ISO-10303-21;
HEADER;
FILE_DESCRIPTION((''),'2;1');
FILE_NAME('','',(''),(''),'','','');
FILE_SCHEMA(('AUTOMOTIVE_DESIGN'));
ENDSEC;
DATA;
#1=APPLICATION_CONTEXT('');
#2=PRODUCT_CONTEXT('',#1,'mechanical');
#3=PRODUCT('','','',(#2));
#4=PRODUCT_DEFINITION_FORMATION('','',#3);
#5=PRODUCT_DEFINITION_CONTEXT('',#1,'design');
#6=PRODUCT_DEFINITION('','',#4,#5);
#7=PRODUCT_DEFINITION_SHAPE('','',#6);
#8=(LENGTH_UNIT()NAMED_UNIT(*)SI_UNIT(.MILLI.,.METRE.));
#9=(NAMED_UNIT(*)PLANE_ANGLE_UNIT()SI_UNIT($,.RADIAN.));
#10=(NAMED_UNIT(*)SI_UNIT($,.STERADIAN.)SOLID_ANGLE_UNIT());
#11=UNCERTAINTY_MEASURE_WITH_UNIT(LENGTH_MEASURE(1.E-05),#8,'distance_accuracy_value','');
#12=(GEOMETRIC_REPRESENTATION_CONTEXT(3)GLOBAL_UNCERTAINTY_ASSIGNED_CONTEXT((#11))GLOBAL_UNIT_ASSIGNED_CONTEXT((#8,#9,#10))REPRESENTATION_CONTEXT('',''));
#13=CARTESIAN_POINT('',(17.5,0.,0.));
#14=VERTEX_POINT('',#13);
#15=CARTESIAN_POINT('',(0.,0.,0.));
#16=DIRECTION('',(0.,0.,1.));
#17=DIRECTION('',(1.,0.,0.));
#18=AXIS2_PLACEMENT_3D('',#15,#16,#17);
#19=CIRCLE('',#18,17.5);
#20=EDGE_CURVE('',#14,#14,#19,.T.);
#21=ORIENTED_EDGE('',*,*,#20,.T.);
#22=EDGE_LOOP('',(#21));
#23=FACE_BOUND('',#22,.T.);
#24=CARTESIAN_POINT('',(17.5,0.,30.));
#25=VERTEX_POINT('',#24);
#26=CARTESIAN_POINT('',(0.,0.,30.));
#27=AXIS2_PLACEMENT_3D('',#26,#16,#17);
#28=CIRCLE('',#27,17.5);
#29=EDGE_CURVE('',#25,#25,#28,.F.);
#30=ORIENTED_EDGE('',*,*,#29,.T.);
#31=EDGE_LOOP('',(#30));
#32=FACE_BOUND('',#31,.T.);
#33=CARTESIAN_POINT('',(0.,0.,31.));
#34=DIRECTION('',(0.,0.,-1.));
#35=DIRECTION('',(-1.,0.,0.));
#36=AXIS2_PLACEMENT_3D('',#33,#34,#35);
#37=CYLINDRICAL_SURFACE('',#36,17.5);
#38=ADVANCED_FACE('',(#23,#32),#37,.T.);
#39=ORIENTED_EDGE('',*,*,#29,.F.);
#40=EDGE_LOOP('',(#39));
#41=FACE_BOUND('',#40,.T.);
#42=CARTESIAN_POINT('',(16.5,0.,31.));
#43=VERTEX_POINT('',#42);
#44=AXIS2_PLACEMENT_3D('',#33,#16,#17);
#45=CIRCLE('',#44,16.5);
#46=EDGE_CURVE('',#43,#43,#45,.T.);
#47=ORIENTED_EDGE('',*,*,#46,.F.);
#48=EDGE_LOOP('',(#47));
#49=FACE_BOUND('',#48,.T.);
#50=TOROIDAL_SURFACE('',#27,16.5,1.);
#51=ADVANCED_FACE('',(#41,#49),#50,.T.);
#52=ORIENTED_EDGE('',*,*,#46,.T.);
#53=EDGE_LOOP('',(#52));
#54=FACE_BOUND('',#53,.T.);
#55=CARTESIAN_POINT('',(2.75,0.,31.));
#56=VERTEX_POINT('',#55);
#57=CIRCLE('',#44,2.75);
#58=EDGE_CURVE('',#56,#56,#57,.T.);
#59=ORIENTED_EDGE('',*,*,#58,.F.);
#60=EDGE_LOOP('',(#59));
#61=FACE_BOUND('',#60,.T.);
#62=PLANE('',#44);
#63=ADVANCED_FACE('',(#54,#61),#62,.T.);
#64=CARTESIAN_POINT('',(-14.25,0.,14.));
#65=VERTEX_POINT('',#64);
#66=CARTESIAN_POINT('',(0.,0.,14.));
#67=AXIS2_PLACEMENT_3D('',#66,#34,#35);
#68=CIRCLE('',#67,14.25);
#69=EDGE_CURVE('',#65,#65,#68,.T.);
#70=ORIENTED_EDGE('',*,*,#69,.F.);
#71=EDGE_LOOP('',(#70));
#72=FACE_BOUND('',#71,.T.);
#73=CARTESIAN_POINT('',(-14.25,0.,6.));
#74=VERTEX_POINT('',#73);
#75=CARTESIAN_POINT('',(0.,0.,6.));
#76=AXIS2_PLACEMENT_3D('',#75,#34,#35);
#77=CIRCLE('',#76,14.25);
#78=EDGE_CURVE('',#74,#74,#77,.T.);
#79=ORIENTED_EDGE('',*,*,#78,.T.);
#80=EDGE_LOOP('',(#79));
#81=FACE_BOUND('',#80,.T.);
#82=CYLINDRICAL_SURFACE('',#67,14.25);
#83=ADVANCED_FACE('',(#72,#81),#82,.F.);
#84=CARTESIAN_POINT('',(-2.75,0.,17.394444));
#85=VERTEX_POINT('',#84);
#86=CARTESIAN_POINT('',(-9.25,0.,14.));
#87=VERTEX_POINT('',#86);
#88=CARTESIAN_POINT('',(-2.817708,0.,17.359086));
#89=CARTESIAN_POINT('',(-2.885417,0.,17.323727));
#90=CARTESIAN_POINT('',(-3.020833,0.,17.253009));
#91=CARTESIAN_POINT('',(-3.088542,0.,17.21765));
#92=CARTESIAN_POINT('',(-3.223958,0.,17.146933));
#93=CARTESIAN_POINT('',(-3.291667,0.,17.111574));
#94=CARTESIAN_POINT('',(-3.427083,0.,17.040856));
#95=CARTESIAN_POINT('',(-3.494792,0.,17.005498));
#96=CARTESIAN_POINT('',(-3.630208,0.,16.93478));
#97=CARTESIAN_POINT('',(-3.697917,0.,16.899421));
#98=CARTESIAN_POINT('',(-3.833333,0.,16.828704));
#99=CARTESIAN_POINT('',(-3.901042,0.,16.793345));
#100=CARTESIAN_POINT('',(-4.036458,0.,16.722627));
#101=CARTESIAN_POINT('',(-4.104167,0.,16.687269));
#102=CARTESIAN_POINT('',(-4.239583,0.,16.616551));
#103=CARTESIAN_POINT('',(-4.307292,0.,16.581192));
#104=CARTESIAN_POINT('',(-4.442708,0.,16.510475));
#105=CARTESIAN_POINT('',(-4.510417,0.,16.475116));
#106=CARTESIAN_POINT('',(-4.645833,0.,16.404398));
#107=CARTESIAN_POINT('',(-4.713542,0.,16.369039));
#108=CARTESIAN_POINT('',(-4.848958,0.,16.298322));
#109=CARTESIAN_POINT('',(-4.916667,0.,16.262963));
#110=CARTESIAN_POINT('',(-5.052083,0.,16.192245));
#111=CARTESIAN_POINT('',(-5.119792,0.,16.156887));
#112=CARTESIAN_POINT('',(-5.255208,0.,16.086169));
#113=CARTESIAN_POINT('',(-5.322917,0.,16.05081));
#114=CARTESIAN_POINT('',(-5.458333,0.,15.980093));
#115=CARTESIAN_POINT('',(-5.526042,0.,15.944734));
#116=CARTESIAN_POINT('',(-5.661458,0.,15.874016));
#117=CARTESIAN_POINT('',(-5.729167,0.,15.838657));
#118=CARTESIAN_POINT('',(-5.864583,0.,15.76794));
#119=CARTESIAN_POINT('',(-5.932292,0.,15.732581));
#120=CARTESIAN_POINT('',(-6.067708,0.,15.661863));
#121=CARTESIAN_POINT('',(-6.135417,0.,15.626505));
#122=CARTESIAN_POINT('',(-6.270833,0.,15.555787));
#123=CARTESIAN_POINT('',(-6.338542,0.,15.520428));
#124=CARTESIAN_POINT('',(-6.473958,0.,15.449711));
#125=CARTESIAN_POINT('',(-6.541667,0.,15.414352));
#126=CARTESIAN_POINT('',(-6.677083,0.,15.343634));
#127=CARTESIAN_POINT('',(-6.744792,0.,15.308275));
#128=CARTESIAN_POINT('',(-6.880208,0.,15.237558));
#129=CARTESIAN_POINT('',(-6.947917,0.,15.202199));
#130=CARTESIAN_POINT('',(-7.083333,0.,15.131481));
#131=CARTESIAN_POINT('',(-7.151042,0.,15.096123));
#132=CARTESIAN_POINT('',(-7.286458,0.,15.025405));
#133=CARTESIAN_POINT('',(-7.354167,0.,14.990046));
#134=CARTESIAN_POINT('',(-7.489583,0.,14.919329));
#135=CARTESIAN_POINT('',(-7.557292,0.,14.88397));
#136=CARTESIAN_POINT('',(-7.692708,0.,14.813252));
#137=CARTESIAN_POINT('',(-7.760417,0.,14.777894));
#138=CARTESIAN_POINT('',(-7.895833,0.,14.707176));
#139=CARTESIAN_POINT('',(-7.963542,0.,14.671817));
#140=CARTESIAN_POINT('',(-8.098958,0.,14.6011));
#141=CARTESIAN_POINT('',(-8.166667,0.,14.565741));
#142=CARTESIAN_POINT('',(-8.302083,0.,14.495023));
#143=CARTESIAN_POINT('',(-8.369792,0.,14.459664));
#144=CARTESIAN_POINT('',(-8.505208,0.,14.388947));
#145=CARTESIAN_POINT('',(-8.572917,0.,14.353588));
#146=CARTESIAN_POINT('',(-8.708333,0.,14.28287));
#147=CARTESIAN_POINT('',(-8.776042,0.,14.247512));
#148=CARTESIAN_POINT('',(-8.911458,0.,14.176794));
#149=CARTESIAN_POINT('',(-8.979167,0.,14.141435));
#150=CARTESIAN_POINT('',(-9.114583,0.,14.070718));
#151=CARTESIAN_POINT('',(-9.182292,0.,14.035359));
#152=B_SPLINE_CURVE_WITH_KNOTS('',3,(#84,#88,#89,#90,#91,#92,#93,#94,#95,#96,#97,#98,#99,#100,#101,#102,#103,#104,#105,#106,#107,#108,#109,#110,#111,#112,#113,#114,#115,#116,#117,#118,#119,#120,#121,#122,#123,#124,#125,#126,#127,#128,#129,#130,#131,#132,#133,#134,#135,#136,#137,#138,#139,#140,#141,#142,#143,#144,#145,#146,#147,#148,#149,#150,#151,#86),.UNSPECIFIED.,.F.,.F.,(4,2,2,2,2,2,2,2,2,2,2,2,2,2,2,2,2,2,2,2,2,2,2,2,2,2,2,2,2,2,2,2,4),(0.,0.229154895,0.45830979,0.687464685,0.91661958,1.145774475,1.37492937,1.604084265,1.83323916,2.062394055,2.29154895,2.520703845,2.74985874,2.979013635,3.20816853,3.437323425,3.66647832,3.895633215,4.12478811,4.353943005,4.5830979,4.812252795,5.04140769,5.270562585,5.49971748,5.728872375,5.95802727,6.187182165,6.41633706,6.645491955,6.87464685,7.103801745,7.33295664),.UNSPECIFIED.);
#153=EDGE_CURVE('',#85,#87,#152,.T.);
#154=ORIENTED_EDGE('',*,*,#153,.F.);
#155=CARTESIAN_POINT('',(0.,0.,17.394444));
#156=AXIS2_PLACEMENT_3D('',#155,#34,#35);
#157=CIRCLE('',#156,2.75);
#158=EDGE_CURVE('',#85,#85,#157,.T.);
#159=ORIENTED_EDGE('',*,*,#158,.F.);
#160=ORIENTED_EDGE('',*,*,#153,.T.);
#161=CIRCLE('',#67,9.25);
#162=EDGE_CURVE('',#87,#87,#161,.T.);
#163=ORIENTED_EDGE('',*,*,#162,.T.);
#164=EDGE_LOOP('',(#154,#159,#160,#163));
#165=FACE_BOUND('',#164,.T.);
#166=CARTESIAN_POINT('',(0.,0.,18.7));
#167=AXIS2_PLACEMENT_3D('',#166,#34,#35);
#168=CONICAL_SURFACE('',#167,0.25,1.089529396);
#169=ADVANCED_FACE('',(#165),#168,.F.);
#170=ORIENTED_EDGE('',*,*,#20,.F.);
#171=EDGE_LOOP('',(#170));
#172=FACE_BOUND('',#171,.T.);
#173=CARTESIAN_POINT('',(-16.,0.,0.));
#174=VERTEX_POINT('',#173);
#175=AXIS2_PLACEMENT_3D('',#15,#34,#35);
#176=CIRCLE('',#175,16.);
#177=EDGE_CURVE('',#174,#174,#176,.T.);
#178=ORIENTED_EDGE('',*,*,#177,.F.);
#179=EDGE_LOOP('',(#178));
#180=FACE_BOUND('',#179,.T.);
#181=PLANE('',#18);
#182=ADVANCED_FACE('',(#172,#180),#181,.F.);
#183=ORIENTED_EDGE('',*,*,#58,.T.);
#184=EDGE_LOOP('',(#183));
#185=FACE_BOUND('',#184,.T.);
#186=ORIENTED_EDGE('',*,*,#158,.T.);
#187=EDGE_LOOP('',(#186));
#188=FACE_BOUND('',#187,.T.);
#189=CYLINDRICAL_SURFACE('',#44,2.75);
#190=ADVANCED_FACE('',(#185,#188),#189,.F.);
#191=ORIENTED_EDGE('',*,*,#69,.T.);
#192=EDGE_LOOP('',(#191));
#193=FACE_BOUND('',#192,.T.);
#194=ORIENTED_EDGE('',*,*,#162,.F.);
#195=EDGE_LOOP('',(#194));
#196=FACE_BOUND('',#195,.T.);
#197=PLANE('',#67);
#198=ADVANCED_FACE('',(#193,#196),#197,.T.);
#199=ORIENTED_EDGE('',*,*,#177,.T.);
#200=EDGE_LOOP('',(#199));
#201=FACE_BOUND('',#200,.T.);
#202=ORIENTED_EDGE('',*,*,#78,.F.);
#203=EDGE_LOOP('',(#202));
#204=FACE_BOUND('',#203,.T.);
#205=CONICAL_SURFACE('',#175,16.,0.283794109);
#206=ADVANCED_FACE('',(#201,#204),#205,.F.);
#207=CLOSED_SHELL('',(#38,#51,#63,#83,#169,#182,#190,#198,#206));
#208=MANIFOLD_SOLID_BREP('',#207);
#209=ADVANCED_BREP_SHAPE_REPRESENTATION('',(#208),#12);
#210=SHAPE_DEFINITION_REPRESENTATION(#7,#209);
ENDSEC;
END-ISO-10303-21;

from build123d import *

# Parameters (mm, degrees)
SCHIZZO1_R                   = 17.5
ESTRUSIONE_ESTRUSIONE1_DEPTH = 31
RACCORDO1_R                  = 1
SCHIZZO2_R                   = 14.25
TAGLIO_ESTRUSIONE1_DEPTH     = 14
TAGLIO_ESTRUSIONE2_START     = -4.7
SCHIZZO5_R                   = 0.25
TAGLIO_ESTRUSIONE2_DEPTH     = 4.7
FORO_PER_VITE_M5_1_D         = 5.5


with BuildPart() as part:
    # Schizzo1 → Estrusione-Estrusione1 (new body)
    with BuildSketch(Plane.XY):
        Circle(SCHIZZO1_R)
    extrude(amount=ESTRUSIONE_ESTRUSIONE1_DEPTH)

    # Raccordo1
    raccordo1_edges = [part.edges().sort_by_distance(p)[0] for p in [
        (-17.5, 0, 31),
    ]]
    fillet(raccordo1_edges, radius=RACCORDO1_R)

    # Schizzo2 → Taglio-Estrusione1 (cut)
    with BuildSketch(Plane(origin=(0, 0, 0), x_dir=(-1, 0, 0), z_dir=(0, 0, -1))):
        Circle(SCHIZZO2_R)
    extrude(amount=-TAGLIO_ESTRUSIONE1_DEPTH, mode=Mode.SUBTRACT)

    # Schizzo3 → Taglia-Rivoluzione1 (revolve, cut)
    with BuildSketch(Plane(origin=(0, 0, 0), x_dir=(1, 0, 0), z_dir=(0, 1, 0)), mode=Mode.PRIVATE) as taglia_rivoluzione1_sk:
        Polygon((16, 0), (14.25, 0), (14.25, -6), align=None)
    revolve(taglia_rivoluzione1_sk.sketch.rotate(Axis((0, 0, 0), (0, 0, 1)), 180), axis=Axis((0, 0, 0), (0, 0, 1)), mode=Mode.SUBTRACT)

    # Schizzo4 → Taglia-Rivoluzione2 (revolve, cut)
    with BuildSketch(Plane(origin=(0, 0, 0), x_dir=(1, 0, 0), z_dir=(0, 1, 0)), mode=Mode.PRIVATE) as taglia_rivoluzione2_sk:
        Polygon((0.25, -18.7), (9.25, -14), (0.25, -14), align=None)
    revolve(taglia_rivoluzione2_sk.sketch.rotate(Axis((0, 0, 14), (0, 0, 1)), 180), axis=Axis((0, 0, 14), (0, 0, 1)), mode=Mode.SUBTRACT)

    # Schizzo5 → Taglio-Estrusione2 (cut)
    with BuildSketch(Plane(origin=(0, 0, 14), x_dir=(-1, 0, 0), z_dir=(0, 0, -1)).offset(TAGLIO_ESTRUSIONE2_START)):
        Circle(SCHIZZO5_R)
    extrude(amount=TAGLIO_ESTRUSIONE2_DEPTH, mode=Mode.SUBTRACT)

    # Foro per Vite M5-1 (through all)
    with Locations(Plane.XY.offset(31)):
        with Locations((0, 0)):
            Hole(FORO_PER_VITE_M5_1_D / 2)


solid = part.part
